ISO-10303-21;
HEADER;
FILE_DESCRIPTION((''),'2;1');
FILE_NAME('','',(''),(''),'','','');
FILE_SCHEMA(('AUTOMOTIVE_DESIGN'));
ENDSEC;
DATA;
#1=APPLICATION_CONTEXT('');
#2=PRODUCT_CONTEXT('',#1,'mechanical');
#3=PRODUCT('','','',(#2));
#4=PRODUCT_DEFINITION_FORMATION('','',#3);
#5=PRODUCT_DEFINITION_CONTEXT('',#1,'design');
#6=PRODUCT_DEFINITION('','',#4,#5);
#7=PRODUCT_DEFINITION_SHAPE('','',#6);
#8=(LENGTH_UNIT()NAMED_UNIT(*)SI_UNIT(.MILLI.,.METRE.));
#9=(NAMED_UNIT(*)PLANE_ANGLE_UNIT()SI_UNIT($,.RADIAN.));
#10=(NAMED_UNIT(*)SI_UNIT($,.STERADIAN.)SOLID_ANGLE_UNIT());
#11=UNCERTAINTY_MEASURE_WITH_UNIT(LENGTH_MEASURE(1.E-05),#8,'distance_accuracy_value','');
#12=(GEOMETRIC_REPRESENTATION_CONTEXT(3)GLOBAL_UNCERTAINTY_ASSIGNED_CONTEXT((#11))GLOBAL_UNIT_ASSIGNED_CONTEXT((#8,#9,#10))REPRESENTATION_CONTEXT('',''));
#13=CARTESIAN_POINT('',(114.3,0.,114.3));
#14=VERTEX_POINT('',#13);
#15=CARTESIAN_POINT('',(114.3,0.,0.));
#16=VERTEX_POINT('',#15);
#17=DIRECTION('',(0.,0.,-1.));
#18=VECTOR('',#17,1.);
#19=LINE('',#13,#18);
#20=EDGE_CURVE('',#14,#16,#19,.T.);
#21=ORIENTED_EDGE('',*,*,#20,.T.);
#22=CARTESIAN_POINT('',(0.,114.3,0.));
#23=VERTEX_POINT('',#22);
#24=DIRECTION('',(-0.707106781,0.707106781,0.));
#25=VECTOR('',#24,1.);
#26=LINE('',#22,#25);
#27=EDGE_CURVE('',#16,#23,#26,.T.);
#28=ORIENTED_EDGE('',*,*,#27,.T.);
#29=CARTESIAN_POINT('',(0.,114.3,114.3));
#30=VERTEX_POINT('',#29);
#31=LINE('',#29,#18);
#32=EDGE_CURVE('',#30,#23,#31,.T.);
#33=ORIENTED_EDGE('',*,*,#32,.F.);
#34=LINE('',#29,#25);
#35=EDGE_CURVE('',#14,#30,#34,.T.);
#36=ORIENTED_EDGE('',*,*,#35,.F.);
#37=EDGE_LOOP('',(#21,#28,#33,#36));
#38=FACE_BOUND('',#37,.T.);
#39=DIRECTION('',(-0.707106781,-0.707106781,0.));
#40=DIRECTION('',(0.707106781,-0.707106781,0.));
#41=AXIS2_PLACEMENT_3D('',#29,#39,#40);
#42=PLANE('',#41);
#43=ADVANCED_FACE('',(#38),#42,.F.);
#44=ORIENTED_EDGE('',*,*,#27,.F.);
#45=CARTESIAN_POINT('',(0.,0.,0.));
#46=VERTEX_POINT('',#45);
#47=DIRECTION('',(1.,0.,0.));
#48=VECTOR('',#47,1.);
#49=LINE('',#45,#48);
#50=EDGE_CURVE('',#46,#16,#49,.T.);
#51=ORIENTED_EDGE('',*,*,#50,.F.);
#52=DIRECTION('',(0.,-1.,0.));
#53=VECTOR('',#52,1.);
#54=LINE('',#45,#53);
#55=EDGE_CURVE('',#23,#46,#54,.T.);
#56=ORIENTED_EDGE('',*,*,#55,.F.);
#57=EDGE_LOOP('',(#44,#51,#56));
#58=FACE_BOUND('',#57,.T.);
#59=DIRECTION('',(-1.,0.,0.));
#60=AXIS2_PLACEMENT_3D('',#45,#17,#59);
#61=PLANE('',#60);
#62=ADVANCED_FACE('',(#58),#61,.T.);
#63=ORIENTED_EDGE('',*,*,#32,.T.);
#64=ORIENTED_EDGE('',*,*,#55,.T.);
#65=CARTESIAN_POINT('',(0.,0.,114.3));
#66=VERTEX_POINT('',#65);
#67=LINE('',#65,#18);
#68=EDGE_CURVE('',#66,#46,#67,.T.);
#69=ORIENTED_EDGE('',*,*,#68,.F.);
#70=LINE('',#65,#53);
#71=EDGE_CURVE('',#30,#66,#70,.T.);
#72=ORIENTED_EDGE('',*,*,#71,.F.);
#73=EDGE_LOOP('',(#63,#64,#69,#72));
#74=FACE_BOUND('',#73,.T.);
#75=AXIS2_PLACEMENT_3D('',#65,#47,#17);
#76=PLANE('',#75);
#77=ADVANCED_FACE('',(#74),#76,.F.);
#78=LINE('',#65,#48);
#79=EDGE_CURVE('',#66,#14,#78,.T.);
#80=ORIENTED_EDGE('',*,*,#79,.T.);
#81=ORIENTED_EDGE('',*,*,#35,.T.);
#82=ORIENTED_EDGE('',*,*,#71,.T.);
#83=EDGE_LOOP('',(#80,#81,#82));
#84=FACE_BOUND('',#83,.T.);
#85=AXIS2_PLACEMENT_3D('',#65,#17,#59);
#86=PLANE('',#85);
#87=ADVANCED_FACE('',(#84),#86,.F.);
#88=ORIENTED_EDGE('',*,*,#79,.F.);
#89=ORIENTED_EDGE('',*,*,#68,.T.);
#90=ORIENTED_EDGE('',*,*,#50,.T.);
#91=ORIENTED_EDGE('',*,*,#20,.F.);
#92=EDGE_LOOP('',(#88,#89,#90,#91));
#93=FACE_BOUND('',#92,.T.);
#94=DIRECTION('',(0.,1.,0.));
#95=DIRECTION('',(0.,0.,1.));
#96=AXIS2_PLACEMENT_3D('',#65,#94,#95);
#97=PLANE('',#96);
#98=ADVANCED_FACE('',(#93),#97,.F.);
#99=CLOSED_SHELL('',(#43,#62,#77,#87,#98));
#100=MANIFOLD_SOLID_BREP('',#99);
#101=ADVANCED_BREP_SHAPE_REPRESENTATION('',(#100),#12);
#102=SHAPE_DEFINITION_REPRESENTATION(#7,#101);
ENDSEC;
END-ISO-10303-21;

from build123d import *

# Parameters (mm, degrees)
BOSS_EXTRUDE1_DEPTH = 114.3


with BuildPart() as part:
    # Sketch1 → Boss-Extrude1 (new body)
    with BuildSketch(Plane.XY):
        Polygon((0, 0), (114.3, 0), (0, 114.3), align=None)
    extrude(amount=BOSS_EXTRUDE1_DEPTH)


solid = part.part
